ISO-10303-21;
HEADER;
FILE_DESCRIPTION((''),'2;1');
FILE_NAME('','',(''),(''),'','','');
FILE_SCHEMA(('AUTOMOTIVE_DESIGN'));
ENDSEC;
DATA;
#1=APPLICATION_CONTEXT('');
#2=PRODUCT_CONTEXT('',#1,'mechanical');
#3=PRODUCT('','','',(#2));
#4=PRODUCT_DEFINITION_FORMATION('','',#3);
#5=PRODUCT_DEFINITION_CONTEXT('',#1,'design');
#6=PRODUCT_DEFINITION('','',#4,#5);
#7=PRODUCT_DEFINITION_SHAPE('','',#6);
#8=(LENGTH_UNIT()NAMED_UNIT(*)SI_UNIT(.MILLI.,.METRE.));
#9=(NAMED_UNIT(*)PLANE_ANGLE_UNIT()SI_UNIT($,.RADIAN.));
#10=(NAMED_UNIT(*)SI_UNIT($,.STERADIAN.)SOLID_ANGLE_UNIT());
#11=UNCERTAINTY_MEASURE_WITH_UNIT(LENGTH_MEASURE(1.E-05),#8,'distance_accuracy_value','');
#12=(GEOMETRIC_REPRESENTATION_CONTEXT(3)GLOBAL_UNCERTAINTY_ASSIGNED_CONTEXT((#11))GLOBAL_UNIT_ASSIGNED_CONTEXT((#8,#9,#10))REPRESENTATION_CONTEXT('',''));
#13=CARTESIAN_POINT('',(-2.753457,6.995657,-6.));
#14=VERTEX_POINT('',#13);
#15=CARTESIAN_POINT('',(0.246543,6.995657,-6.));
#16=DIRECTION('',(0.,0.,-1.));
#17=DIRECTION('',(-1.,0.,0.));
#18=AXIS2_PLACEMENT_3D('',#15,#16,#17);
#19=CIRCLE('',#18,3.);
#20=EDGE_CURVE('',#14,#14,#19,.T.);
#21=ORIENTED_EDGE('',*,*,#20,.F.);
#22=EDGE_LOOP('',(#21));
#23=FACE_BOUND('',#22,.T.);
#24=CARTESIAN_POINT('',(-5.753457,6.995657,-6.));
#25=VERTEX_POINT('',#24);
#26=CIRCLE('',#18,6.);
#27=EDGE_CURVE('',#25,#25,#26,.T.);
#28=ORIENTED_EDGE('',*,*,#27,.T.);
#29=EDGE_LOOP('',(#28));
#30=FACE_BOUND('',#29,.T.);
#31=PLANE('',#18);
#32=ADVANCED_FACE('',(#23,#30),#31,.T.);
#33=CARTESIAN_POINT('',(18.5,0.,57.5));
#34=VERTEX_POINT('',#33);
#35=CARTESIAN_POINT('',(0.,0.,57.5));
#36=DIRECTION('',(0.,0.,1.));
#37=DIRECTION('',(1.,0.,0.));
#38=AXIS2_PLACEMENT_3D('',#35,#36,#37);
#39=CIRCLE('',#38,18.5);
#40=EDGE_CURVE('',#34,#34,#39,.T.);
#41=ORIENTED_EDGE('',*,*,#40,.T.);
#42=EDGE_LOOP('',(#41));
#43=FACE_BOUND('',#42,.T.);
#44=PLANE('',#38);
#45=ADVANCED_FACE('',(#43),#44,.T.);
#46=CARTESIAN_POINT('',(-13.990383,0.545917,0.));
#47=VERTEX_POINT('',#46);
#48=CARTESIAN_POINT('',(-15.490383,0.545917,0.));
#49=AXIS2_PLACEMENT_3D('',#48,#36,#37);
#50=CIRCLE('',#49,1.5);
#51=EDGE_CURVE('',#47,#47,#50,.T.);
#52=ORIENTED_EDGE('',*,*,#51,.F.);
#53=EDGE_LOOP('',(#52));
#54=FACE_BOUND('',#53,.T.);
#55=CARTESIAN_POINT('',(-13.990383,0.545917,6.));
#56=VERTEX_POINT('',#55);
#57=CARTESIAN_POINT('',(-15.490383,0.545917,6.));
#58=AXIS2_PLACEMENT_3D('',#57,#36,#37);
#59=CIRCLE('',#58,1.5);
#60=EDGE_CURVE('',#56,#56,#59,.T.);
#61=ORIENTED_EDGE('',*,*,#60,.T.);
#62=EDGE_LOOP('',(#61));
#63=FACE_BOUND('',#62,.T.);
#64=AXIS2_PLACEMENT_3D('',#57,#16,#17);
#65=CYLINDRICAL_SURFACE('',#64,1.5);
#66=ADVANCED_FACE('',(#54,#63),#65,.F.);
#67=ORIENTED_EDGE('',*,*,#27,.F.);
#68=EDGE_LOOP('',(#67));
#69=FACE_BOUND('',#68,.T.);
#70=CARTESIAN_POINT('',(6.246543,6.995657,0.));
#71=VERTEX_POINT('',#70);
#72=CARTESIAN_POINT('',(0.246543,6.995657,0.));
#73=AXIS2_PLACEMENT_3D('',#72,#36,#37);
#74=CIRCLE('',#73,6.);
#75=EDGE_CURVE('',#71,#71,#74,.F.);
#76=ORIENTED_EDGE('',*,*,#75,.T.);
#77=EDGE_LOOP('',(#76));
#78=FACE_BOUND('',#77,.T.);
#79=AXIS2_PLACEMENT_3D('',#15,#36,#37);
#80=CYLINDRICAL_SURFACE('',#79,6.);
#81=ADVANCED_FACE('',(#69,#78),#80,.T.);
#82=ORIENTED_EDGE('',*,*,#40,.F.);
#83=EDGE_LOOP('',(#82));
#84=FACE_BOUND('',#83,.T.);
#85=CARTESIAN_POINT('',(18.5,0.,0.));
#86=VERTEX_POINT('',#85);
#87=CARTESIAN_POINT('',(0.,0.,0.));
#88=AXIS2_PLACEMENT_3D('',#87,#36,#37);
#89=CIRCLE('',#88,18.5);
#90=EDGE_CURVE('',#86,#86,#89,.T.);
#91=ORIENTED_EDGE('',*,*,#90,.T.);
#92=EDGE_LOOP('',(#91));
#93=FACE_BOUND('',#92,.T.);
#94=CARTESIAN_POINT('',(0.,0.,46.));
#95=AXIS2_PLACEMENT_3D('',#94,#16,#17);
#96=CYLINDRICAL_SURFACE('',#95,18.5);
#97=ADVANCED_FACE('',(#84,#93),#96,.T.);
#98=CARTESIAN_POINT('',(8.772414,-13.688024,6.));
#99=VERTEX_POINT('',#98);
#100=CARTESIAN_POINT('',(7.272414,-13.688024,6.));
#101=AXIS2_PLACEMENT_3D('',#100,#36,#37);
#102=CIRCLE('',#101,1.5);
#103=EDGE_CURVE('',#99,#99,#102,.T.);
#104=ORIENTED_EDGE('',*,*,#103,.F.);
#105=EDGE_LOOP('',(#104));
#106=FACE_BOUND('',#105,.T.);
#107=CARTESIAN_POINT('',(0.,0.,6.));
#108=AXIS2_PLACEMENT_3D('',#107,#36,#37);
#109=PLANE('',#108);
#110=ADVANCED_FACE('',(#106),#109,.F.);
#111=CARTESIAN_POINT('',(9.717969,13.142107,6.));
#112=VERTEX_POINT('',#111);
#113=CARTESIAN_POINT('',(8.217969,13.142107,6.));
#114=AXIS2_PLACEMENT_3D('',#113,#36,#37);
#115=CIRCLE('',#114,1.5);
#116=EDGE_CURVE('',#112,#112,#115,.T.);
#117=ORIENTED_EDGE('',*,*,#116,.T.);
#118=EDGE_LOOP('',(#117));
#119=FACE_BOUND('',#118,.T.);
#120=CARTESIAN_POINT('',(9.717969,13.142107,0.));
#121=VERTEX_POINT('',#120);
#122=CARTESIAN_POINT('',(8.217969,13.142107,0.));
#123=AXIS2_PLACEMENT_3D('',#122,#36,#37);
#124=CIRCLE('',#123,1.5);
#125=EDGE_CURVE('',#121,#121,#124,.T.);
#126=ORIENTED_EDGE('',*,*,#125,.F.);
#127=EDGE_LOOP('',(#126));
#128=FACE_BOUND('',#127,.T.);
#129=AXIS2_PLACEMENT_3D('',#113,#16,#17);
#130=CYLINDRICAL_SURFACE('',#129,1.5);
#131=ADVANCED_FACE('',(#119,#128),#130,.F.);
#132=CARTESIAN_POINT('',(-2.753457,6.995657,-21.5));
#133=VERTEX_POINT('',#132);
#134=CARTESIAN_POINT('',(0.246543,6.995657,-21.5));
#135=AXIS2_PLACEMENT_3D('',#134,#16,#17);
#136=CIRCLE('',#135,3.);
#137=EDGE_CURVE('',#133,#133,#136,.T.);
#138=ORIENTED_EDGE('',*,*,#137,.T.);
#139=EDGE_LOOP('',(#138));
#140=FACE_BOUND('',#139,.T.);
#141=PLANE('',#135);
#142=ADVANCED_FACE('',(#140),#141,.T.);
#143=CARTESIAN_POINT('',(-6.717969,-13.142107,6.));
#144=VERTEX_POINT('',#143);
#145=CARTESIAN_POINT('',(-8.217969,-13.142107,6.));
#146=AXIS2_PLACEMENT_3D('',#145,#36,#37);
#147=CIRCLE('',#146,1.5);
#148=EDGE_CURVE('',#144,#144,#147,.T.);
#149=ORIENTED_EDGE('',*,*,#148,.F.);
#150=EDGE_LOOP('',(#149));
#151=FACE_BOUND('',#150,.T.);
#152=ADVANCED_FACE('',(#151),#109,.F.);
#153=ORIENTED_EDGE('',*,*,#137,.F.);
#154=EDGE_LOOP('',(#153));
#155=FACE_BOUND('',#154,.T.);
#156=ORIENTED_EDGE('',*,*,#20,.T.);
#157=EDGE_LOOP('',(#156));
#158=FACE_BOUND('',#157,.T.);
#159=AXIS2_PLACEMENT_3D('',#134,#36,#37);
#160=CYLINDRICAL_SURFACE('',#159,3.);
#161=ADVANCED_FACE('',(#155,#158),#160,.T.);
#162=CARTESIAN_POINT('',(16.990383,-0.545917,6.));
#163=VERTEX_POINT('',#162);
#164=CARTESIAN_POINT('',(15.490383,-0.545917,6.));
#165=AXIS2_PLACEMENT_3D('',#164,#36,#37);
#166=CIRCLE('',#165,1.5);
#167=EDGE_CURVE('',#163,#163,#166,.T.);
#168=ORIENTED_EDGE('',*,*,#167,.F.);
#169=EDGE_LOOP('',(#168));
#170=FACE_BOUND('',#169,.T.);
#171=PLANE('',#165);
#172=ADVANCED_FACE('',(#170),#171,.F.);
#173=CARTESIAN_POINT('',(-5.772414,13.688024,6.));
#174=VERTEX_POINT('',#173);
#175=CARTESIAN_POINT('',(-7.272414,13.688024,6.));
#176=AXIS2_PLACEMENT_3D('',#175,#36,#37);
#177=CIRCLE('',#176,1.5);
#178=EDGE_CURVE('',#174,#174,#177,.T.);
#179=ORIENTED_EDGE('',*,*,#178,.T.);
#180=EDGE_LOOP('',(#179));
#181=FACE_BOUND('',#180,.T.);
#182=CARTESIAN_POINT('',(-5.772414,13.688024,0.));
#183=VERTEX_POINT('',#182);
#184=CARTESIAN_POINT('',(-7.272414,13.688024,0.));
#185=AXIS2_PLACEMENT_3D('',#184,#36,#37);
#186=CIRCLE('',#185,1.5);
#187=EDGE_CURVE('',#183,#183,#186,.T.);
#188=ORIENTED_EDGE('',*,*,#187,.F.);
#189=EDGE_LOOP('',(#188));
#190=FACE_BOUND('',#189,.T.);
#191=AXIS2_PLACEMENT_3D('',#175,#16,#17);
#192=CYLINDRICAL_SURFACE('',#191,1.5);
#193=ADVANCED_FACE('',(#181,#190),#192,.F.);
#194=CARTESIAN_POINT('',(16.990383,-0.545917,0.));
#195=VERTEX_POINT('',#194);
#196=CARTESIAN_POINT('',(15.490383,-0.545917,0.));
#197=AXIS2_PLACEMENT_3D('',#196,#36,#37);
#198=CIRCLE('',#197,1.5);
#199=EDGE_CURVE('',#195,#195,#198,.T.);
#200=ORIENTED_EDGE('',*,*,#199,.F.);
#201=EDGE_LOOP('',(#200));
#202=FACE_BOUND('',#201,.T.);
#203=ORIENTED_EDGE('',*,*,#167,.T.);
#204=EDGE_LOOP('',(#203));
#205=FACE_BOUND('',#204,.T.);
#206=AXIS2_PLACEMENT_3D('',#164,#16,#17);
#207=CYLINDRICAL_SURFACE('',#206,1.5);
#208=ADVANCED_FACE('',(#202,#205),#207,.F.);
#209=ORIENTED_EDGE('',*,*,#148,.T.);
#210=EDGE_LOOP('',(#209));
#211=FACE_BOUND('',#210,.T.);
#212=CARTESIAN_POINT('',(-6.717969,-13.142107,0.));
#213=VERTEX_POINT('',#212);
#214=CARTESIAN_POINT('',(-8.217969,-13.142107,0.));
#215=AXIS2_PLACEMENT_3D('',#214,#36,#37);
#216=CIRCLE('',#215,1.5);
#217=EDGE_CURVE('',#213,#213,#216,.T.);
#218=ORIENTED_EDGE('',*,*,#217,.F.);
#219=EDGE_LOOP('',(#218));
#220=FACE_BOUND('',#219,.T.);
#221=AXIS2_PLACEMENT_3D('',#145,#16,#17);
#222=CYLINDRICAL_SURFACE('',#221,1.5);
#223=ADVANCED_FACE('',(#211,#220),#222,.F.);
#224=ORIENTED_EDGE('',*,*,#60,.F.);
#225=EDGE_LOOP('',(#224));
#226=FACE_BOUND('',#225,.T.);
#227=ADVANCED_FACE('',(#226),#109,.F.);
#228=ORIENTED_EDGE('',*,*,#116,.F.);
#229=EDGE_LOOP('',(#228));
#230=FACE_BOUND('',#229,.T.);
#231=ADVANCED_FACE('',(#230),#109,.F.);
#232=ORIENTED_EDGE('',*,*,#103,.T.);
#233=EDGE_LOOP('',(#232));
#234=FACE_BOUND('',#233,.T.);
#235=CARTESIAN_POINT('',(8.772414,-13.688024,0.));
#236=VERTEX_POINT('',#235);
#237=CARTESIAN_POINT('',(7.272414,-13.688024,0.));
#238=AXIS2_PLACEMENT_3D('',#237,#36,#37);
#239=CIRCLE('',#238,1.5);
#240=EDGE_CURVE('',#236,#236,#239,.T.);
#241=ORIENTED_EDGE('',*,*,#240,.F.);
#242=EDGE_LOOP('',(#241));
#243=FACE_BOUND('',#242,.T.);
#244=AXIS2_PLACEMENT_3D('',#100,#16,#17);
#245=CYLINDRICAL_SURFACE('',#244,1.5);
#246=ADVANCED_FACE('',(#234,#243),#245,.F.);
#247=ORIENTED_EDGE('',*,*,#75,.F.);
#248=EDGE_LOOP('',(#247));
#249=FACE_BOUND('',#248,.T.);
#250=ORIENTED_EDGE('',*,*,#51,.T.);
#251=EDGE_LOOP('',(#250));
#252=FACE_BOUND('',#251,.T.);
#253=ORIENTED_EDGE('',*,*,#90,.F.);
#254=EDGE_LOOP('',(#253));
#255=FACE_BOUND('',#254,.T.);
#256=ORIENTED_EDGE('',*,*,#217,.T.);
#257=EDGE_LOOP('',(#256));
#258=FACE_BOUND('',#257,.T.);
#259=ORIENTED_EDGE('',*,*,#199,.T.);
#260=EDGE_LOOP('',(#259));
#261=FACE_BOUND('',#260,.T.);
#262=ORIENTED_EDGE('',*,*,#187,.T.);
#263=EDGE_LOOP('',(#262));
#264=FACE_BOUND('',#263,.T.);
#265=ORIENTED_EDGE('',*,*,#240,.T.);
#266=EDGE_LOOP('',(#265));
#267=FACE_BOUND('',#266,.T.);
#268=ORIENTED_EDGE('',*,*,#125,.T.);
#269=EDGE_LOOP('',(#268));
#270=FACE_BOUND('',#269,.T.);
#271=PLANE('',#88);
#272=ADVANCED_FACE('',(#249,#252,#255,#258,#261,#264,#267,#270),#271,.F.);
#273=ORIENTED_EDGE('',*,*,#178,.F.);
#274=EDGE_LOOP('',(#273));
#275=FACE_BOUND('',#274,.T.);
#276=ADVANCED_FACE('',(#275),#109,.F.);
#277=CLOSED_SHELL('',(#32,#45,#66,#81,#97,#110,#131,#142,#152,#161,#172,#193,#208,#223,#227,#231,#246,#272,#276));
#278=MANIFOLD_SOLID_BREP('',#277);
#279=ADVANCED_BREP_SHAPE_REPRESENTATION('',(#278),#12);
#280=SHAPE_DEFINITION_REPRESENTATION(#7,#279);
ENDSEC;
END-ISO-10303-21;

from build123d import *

# Parameters (mm, degrees)
SKETCH_1_R          = 18.5
EXTRUDE_1_DEPTH     = 46
SKETCH_1_3_R        = 1.5
CUT_EXTRUDE_1_DEPTH = 6
SKETCH_2_R          = 6
EXTRUDE_2_DEPTH     = 6
SKETCH_3_R          = 3
EXTRUDE_3_DEPTH     = 15.5
SKETCH_5_R          = 18.5
EXTRUDE_4_DEPTH     = 11.5


with BuildPart() as part:
    # 草图1 → 凸台-拉伸1 (new body)
    with BuildSketch(Plane.XY):
        Circle(SKETCH_1_R)
    extrude(amount=EXTRUDE_1_DEPTH)

    # 草图1<3> → 切除-拉伸1 (cut)
    with BuildSketch(Plane.XY):
        with Locations((15.490383309, -0.545916592)):
            Circle(SKETCH_1_3_R)
        with Locations((7.272414017, -13.688023757)):
            Circle(SKETCH_1_3_R)
        with Locations((-8.217969292, -13.142107164)):
            Circle(SKETCH_1_3_R)
        with Locations((-15.490383309, 0.545916592)):
            Circle(SKETCH_1_3_R)
        with Locations((-7.272414017, 13.688023757)):
            Circle(SKETCH_1_3_R)
        with Locations((8.217969292, 13.142107164)):
            Circle(SKETCH_1_3_R)
    extrude(amount=CUT_EXTRUDE_1_DEPTH, mode=Mode.SUBTRACT)

    # 草图2 → 凸台-拉伸2 (add)
    with BuildSketch(Plane(origin=(0, 0, 0), x_dir=(-1, 0, 0), z_dir=(0, 0, -1))):
        with Locations((-0.246542977, 6.995656978)):
            Circle(SKETCH_2_R)
    extrude(amount=EXTRUDE_2_DEPTH)

    # 草图3 → 凸台-拉伸3 (add)
    with BuildSketch(Plane(origin=(0, 0, -6), x_dir=(-1, 0, 0), z_dir=(0, 0, -1))):
        with Locations((-0.246542977, 6.995656978)):
            Circle(SKETCH_3_R)
    extrude(amount=EXTRUDE_3_DEPTH)

    # 草图5 → 凸台-拉伸4 (add)
    with BuildSketch(Plane.XY.offset(46)):
        Circle(SKETCH_5_R)
    extrude(amount=EXTRUDE_4_DEPTH)


solid = part.part
